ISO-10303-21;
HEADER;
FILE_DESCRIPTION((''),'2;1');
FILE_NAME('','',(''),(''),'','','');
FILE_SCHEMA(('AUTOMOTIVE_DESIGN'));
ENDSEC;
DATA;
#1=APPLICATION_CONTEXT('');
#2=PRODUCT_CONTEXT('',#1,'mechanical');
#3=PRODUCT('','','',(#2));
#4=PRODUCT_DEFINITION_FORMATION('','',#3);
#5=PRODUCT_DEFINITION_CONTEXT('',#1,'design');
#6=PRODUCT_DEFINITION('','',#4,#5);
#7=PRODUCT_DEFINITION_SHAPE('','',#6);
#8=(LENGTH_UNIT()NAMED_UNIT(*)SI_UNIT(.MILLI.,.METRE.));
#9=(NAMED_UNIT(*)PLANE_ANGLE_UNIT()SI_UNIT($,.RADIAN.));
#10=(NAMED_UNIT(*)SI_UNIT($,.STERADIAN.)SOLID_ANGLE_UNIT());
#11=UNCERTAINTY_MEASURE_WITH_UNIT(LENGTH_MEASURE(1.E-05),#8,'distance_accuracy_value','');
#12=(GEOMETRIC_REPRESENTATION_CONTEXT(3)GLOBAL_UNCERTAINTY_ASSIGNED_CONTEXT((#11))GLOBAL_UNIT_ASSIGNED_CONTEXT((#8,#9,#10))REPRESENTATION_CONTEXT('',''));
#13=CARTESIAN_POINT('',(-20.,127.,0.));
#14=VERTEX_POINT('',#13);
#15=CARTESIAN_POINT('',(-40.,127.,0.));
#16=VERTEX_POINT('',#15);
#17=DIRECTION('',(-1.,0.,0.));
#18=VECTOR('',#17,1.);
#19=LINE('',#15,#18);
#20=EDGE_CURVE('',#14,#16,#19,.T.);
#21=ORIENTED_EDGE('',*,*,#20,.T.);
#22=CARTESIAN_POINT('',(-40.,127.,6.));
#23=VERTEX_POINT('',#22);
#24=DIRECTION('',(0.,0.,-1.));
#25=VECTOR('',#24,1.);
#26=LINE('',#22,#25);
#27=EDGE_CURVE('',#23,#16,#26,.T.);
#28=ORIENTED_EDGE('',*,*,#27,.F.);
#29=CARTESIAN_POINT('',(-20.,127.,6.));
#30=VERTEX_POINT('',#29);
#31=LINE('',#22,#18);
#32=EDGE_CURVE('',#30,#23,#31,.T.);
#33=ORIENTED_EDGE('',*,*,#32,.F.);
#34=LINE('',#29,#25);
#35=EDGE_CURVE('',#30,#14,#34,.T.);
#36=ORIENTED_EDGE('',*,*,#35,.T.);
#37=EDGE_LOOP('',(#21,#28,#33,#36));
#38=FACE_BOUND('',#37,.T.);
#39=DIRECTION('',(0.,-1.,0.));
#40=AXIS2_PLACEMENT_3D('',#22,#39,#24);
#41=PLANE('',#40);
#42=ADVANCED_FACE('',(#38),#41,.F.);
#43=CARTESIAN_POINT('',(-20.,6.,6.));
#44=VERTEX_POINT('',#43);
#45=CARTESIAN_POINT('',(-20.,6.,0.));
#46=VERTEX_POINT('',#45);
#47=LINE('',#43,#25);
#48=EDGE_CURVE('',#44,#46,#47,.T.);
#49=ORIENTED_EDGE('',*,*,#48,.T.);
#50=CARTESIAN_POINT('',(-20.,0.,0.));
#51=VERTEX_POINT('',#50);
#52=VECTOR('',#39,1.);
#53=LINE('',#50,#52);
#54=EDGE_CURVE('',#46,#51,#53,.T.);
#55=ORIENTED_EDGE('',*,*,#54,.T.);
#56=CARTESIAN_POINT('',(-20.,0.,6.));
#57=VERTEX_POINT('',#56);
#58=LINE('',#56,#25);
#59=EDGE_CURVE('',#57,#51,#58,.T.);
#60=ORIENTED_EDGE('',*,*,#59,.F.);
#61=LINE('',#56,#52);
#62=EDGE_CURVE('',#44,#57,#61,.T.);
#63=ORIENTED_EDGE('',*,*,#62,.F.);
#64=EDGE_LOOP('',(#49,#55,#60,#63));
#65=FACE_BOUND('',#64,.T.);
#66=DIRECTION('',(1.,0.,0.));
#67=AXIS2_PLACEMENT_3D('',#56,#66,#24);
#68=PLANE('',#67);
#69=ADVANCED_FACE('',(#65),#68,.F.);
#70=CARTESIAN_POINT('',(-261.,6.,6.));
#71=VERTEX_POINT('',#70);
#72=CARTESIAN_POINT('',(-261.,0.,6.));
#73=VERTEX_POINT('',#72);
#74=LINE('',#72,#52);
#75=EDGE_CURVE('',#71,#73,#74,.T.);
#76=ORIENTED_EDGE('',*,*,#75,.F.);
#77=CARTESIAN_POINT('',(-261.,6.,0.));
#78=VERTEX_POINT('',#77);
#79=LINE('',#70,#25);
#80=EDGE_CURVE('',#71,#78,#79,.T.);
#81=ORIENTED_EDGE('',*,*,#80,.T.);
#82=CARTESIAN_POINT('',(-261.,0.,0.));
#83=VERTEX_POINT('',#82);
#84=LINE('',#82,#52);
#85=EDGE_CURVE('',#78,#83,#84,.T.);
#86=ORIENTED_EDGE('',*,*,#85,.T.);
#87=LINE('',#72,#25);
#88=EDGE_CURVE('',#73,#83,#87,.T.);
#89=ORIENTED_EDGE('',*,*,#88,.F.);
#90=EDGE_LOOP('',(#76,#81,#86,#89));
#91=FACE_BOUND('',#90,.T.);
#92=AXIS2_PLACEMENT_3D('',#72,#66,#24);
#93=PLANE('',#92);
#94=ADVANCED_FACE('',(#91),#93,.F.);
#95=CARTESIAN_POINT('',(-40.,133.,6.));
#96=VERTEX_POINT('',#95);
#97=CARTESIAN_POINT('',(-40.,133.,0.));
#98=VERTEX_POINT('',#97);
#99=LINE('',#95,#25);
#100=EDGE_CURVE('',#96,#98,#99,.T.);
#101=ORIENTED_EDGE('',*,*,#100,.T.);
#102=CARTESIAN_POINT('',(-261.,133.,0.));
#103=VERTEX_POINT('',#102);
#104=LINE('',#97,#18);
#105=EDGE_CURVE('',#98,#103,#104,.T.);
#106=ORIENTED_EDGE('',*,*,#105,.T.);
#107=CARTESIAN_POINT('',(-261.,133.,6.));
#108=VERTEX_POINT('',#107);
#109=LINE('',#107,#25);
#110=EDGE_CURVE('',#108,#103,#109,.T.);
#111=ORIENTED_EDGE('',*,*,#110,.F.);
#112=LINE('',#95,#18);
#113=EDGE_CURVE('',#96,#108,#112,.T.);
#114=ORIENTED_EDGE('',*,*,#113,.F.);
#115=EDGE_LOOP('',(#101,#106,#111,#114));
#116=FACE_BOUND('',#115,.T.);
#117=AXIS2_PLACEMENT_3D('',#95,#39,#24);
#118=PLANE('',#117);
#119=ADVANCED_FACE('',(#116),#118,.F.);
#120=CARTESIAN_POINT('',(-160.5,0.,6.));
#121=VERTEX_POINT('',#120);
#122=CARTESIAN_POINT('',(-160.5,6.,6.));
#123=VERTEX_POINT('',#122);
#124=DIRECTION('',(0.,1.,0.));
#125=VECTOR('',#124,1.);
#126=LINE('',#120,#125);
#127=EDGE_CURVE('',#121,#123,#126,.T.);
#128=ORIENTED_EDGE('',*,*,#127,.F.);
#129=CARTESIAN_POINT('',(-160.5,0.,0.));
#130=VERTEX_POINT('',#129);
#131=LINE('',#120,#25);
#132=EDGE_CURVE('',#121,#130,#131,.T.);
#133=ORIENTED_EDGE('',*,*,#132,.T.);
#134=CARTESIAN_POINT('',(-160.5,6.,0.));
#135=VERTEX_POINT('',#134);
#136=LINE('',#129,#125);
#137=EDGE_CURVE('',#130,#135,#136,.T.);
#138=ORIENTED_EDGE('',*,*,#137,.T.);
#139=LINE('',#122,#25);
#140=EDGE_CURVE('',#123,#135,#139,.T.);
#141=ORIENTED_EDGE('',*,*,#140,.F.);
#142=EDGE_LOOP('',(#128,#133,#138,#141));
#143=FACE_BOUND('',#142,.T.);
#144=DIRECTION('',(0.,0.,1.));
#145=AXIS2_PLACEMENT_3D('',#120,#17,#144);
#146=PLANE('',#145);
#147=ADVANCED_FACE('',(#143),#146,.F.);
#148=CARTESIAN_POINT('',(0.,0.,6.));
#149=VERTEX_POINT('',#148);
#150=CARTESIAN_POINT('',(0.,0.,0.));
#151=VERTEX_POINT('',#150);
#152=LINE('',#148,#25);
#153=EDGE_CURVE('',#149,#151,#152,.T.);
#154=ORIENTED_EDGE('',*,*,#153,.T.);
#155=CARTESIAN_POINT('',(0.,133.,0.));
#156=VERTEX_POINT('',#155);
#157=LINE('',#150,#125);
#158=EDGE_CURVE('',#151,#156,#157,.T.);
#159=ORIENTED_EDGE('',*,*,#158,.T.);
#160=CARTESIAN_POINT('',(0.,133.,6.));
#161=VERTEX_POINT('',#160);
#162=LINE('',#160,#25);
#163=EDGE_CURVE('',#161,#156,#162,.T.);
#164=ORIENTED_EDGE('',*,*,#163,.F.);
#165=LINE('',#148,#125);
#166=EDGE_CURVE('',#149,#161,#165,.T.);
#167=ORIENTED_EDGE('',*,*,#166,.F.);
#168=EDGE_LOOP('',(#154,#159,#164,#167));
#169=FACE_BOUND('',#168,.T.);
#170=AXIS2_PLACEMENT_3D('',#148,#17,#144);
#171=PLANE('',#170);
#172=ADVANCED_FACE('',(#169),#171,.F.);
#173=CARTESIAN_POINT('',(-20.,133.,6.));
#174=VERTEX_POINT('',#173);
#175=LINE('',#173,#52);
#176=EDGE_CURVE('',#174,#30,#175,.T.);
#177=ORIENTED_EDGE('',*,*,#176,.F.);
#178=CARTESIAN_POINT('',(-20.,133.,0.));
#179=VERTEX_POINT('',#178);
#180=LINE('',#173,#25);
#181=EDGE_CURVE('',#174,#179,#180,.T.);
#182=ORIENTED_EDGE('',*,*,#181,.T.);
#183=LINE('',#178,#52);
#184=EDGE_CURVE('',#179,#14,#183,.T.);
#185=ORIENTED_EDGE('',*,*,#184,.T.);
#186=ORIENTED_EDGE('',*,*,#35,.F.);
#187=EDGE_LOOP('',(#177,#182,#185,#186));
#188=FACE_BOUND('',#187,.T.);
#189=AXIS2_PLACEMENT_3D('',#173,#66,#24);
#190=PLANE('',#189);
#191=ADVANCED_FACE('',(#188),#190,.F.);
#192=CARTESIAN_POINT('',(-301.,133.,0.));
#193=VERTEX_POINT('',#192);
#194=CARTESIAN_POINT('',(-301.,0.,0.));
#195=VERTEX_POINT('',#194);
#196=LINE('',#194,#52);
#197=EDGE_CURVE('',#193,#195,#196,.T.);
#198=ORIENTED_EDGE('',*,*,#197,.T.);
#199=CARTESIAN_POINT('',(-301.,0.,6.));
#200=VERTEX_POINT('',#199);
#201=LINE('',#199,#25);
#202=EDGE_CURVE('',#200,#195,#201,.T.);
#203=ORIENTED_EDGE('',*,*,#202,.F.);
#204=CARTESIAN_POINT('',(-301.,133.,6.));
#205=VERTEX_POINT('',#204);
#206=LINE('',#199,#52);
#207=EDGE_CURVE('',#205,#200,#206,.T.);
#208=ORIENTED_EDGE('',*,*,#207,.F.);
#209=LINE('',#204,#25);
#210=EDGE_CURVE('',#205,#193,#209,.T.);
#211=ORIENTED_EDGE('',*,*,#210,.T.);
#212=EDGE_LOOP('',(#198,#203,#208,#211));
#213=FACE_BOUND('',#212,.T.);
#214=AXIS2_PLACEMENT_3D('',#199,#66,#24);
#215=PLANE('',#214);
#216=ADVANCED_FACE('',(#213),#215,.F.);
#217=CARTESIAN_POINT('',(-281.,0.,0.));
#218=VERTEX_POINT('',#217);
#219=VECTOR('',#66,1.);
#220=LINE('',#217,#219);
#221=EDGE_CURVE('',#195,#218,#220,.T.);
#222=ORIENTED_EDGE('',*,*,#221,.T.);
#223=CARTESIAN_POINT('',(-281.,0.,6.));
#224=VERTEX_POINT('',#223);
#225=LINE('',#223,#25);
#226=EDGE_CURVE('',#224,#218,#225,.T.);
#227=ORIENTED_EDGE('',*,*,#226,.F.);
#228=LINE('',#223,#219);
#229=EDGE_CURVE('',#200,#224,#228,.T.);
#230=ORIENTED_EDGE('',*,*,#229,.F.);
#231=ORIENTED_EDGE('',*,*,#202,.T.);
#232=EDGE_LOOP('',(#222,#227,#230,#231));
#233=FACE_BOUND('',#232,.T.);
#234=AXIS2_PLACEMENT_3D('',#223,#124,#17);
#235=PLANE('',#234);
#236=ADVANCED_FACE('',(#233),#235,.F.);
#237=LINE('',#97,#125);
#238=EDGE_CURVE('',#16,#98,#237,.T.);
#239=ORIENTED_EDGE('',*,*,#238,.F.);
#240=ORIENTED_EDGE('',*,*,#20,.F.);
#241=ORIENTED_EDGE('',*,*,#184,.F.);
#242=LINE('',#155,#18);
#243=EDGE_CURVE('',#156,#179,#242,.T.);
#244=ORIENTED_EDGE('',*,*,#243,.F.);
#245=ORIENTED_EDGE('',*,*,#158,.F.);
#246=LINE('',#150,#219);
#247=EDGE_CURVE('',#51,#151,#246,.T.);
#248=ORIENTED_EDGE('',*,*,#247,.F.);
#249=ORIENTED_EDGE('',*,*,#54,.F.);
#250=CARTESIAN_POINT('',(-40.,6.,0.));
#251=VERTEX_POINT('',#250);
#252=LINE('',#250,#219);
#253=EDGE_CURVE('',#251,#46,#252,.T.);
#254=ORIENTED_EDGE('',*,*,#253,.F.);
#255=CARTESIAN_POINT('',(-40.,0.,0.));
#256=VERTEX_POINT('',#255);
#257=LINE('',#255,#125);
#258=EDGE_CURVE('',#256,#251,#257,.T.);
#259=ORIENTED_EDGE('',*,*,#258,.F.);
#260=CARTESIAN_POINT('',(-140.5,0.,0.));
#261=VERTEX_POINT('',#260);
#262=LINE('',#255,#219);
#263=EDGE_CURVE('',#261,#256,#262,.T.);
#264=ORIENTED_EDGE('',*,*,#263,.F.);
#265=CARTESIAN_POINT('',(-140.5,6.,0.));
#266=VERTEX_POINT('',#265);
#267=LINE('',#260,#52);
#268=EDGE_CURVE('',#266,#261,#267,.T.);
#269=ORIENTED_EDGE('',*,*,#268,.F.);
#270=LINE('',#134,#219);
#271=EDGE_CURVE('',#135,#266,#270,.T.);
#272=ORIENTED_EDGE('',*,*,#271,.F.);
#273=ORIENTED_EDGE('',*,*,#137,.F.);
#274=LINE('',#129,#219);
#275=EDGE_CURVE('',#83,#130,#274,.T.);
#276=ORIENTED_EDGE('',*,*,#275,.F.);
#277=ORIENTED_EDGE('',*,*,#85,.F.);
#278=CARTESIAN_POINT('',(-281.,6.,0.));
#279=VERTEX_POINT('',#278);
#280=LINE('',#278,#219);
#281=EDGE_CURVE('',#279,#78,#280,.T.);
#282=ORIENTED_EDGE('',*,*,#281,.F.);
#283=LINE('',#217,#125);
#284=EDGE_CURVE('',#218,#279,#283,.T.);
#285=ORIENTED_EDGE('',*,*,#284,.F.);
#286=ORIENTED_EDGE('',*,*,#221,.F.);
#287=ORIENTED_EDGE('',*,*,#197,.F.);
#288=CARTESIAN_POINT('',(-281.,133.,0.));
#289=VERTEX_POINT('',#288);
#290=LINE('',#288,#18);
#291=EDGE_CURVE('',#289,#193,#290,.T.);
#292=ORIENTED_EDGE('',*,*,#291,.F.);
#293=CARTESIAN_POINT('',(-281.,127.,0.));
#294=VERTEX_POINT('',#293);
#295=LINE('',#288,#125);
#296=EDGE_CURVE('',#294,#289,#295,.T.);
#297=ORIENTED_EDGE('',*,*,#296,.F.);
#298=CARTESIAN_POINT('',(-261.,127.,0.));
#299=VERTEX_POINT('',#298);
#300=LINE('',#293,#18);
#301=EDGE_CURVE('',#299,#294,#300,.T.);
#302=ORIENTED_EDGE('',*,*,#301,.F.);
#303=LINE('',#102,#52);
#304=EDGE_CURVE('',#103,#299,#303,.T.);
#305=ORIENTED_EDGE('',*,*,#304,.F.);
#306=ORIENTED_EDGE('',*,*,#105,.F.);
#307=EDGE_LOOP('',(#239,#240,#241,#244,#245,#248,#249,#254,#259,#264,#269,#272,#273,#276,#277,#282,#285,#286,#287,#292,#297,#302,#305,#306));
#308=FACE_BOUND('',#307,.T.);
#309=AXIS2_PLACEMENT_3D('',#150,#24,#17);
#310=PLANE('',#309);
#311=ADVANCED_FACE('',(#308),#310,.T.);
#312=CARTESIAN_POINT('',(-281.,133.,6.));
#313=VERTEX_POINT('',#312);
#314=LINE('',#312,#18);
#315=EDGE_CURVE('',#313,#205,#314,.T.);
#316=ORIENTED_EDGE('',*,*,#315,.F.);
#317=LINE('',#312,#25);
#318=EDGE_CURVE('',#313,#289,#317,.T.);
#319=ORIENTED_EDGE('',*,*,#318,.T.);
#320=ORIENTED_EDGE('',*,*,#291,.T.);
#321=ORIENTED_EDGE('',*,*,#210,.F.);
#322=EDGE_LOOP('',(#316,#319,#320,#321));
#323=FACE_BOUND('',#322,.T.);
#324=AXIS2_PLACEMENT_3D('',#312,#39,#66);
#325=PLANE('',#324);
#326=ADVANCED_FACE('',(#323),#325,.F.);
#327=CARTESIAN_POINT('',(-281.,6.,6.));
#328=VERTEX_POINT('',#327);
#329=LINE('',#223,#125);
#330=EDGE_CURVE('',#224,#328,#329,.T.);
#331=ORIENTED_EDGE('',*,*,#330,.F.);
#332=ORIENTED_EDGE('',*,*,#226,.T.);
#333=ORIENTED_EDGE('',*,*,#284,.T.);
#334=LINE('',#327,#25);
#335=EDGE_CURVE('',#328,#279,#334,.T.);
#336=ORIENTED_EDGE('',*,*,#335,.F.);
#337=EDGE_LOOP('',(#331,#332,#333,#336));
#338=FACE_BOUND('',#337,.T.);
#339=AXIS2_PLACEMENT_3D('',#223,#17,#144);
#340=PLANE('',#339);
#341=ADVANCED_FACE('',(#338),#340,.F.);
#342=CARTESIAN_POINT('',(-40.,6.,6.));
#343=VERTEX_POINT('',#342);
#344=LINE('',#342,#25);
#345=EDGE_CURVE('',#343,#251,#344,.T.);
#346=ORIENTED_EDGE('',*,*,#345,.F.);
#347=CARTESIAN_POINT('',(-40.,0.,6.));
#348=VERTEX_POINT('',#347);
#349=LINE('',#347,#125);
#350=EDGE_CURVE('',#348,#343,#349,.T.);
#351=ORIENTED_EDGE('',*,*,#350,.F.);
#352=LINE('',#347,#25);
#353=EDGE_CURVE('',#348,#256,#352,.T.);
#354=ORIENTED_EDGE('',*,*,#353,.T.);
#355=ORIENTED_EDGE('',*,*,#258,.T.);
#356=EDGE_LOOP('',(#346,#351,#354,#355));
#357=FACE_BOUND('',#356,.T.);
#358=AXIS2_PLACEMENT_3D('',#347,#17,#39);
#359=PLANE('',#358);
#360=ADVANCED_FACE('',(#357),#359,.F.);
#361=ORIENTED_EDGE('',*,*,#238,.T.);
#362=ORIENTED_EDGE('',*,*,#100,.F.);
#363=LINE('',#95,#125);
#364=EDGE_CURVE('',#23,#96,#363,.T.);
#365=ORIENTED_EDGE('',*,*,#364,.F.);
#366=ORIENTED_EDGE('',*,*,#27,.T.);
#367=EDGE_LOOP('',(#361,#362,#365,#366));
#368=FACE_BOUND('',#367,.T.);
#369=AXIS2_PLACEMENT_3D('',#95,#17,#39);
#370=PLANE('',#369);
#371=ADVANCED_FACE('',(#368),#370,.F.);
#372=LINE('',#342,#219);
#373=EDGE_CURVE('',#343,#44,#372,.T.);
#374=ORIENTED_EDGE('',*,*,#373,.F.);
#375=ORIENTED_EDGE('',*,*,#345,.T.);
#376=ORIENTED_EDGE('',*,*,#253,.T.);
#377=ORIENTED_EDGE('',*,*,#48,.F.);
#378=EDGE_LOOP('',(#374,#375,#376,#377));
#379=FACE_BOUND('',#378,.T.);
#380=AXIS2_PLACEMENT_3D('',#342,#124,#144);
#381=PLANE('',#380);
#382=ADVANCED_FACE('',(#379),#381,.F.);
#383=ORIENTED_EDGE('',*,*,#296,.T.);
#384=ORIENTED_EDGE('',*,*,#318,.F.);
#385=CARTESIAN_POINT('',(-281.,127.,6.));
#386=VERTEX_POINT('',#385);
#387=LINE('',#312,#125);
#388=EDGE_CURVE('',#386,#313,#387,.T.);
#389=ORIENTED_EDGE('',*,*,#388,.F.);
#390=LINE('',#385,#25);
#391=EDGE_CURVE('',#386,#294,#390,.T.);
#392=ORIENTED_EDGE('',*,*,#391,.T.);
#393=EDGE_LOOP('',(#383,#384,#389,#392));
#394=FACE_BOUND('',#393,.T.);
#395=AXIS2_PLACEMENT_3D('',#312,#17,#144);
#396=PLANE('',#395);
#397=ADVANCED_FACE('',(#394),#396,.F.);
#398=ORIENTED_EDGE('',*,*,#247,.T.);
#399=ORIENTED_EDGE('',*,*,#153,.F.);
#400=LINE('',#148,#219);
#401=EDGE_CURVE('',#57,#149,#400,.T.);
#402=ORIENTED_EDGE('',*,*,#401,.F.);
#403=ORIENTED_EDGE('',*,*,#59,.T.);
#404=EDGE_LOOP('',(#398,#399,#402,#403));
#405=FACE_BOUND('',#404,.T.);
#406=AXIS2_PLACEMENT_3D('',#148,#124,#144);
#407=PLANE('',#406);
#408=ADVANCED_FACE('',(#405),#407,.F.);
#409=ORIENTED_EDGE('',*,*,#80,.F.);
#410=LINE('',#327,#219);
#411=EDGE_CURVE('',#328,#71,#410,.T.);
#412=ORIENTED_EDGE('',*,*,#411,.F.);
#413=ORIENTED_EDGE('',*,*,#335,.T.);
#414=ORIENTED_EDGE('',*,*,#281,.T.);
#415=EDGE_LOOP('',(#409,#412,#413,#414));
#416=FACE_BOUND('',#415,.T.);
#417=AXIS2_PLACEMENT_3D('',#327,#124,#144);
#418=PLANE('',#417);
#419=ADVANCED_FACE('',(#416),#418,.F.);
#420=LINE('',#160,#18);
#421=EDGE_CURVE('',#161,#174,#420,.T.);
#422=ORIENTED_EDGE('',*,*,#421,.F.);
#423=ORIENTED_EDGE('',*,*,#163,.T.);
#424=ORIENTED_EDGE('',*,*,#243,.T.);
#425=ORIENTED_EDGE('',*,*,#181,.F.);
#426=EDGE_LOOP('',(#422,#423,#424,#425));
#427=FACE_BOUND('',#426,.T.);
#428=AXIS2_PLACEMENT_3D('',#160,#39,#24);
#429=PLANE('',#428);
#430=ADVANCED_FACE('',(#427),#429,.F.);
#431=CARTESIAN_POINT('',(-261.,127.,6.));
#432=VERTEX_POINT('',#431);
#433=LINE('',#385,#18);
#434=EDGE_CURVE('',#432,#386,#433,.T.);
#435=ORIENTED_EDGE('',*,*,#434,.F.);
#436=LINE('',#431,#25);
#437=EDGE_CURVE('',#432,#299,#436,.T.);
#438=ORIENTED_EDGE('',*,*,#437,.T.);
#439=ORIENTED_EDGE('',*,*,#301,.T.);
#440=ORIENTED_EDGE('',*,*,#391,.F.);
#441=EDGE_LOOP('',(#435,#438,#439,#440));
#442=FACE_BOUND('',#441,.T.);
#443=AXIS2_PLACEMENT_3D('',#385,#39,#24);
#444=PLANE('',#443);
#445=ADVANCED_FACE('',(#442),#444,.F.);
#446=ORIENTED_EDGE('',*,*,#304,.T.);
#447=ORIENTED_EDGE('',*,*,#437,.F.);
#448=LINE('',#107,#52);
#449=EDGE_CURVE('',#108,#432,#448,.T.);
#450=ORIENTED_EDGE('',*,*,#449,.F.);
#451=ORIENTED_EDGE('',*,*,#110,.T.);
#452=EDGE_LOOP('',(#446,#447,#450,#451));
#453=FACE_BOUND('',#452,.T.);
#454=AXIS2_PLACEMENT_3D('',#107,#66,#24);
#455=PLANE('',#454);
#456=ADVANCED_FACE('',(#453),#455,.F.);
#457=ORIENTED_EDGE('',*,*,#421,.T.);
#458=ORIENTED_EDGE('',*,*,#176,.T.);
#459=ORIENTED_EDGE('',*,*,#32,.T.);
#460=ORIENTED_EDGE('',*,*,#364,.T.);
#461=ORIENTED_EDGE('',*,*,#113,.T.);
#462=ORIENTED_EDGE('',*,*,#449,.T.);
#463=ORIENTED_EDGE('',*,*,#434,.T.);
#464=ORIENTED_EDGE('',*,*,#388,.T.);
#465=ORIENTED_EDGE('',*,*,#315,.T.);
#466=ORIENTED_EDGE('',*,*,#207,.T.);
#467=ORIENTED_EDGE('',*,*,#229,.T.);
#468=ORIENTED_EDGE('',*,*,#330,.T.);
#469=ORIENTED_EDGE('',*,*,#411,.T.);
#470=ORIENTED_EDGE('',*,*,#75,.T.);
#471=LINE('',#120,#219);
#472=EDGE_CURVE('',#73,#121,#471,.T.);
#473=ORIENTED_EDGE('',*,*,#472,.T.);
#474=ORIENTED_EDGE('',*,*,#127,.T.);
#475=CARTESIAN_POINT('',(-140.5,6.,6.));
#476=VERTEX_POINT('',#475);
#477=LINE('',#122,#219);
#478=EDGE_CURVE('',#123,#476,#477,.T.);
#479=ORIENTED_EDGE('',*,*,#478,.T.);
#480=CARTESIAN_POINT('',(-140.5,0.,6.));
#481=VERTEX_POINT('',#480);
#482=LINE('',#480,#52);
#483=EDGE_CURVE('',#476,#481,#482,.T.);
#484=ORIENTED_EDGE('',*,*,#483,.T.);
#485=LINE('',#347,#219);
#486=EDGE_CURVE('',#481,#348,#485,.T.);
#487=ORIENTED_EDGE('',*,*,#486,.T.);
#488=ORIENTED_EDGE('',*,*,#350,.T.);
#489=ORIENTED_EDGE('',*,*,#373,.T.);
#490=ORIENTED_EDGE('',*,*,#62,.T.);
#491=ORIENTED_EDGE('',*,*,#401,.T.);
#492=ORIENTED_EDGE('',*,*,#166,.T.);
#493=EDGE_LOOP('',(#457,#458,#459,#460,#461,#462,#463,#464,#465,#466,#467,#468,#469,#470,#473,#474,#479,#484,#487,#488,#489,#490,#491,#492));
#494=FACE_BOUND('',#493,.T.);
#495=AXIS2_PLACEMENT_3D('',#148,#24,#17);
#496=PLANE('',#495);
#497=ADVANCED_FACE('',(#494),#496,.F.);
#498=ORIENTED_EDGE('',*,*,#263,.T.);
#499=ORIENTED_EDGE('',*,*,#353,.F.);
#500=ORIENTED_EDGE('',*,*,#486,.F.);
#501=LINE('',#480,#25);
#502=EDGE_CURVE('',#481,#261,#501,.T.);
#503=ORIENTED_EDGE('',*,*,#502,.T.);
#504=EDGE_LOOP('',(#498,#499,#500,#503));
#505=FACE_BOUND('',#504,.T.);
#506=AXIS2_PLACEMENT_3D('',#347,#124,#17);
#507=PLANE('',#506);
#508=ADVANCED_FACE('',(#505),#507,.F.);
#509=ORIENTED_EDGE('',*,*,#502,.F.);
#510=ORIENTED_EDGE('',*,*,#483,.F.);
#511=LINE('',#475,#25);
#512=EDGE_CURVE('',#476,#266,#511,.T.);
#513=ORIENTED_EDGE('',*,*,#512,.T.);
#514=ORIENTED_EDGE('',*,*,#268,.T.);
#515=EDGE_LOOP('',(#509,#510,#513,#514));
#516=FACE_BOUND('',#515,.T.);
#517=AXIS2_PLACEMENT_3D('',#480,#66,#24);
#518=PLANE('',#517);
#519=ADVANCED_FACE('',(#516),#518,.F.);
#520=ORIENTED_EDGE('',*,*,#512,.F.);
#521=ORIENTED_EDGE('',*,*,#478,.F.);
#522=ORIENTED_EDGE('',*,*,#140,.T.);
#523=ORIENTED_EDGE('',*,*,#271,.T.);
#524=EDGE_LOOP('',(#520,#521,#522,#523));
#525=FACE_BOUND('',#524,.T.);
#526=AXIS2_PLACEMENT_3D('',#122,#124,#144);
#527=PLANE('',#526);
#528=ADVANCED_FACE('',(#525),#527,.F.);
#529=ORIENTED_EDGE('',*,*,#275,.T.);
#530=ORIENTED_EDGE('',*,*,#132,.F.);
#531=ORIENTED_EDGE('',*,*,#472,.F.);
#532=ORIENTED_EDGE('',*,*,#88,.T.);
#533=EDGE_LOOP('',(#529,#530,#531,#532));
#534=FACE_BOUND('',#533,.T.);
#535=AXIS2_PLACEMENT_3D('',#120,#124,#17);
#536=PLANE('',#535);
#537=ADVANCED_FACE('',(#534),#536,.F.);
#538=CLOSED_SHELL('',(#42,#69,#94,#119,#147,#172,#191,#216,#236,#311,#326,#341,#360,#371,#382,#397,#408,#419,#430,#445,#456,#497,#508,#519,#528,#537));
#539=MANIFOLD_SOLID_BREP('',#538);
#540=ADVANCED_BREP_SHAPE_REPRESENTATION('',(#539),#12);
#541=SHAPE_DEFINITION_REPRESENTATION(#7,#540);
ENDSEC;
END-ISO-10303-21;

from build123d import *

# Parameters (mm, degrees)
BOSS_EXTRU_1_DEPTH = 6


with BuildPart() as part:
    # Esquisse1 → Boss.-Extru.1 (new body)
    with BuildSketch(Plane.XY):
        Polygon((-20, 0), (-20, 6), (-40, 6), (-40, 0), (-140.5, 0), (-140.5, 6), (-160.5, 6), (-160.5, 0), (-261, 0), (-261, 6), (-281, 6), (-281, 0), (-301, 0), (-301, 133), (-281, 133), (-281, 127), (-261, 127), (-261, 133), (-40, 133), (-40, 127), (-20, 127), (-20, 133), (0, 133), (0, 0), align=None)
    extrude(amount=BOSS_EXTRU_1_DEPTH)


solid = part.part
